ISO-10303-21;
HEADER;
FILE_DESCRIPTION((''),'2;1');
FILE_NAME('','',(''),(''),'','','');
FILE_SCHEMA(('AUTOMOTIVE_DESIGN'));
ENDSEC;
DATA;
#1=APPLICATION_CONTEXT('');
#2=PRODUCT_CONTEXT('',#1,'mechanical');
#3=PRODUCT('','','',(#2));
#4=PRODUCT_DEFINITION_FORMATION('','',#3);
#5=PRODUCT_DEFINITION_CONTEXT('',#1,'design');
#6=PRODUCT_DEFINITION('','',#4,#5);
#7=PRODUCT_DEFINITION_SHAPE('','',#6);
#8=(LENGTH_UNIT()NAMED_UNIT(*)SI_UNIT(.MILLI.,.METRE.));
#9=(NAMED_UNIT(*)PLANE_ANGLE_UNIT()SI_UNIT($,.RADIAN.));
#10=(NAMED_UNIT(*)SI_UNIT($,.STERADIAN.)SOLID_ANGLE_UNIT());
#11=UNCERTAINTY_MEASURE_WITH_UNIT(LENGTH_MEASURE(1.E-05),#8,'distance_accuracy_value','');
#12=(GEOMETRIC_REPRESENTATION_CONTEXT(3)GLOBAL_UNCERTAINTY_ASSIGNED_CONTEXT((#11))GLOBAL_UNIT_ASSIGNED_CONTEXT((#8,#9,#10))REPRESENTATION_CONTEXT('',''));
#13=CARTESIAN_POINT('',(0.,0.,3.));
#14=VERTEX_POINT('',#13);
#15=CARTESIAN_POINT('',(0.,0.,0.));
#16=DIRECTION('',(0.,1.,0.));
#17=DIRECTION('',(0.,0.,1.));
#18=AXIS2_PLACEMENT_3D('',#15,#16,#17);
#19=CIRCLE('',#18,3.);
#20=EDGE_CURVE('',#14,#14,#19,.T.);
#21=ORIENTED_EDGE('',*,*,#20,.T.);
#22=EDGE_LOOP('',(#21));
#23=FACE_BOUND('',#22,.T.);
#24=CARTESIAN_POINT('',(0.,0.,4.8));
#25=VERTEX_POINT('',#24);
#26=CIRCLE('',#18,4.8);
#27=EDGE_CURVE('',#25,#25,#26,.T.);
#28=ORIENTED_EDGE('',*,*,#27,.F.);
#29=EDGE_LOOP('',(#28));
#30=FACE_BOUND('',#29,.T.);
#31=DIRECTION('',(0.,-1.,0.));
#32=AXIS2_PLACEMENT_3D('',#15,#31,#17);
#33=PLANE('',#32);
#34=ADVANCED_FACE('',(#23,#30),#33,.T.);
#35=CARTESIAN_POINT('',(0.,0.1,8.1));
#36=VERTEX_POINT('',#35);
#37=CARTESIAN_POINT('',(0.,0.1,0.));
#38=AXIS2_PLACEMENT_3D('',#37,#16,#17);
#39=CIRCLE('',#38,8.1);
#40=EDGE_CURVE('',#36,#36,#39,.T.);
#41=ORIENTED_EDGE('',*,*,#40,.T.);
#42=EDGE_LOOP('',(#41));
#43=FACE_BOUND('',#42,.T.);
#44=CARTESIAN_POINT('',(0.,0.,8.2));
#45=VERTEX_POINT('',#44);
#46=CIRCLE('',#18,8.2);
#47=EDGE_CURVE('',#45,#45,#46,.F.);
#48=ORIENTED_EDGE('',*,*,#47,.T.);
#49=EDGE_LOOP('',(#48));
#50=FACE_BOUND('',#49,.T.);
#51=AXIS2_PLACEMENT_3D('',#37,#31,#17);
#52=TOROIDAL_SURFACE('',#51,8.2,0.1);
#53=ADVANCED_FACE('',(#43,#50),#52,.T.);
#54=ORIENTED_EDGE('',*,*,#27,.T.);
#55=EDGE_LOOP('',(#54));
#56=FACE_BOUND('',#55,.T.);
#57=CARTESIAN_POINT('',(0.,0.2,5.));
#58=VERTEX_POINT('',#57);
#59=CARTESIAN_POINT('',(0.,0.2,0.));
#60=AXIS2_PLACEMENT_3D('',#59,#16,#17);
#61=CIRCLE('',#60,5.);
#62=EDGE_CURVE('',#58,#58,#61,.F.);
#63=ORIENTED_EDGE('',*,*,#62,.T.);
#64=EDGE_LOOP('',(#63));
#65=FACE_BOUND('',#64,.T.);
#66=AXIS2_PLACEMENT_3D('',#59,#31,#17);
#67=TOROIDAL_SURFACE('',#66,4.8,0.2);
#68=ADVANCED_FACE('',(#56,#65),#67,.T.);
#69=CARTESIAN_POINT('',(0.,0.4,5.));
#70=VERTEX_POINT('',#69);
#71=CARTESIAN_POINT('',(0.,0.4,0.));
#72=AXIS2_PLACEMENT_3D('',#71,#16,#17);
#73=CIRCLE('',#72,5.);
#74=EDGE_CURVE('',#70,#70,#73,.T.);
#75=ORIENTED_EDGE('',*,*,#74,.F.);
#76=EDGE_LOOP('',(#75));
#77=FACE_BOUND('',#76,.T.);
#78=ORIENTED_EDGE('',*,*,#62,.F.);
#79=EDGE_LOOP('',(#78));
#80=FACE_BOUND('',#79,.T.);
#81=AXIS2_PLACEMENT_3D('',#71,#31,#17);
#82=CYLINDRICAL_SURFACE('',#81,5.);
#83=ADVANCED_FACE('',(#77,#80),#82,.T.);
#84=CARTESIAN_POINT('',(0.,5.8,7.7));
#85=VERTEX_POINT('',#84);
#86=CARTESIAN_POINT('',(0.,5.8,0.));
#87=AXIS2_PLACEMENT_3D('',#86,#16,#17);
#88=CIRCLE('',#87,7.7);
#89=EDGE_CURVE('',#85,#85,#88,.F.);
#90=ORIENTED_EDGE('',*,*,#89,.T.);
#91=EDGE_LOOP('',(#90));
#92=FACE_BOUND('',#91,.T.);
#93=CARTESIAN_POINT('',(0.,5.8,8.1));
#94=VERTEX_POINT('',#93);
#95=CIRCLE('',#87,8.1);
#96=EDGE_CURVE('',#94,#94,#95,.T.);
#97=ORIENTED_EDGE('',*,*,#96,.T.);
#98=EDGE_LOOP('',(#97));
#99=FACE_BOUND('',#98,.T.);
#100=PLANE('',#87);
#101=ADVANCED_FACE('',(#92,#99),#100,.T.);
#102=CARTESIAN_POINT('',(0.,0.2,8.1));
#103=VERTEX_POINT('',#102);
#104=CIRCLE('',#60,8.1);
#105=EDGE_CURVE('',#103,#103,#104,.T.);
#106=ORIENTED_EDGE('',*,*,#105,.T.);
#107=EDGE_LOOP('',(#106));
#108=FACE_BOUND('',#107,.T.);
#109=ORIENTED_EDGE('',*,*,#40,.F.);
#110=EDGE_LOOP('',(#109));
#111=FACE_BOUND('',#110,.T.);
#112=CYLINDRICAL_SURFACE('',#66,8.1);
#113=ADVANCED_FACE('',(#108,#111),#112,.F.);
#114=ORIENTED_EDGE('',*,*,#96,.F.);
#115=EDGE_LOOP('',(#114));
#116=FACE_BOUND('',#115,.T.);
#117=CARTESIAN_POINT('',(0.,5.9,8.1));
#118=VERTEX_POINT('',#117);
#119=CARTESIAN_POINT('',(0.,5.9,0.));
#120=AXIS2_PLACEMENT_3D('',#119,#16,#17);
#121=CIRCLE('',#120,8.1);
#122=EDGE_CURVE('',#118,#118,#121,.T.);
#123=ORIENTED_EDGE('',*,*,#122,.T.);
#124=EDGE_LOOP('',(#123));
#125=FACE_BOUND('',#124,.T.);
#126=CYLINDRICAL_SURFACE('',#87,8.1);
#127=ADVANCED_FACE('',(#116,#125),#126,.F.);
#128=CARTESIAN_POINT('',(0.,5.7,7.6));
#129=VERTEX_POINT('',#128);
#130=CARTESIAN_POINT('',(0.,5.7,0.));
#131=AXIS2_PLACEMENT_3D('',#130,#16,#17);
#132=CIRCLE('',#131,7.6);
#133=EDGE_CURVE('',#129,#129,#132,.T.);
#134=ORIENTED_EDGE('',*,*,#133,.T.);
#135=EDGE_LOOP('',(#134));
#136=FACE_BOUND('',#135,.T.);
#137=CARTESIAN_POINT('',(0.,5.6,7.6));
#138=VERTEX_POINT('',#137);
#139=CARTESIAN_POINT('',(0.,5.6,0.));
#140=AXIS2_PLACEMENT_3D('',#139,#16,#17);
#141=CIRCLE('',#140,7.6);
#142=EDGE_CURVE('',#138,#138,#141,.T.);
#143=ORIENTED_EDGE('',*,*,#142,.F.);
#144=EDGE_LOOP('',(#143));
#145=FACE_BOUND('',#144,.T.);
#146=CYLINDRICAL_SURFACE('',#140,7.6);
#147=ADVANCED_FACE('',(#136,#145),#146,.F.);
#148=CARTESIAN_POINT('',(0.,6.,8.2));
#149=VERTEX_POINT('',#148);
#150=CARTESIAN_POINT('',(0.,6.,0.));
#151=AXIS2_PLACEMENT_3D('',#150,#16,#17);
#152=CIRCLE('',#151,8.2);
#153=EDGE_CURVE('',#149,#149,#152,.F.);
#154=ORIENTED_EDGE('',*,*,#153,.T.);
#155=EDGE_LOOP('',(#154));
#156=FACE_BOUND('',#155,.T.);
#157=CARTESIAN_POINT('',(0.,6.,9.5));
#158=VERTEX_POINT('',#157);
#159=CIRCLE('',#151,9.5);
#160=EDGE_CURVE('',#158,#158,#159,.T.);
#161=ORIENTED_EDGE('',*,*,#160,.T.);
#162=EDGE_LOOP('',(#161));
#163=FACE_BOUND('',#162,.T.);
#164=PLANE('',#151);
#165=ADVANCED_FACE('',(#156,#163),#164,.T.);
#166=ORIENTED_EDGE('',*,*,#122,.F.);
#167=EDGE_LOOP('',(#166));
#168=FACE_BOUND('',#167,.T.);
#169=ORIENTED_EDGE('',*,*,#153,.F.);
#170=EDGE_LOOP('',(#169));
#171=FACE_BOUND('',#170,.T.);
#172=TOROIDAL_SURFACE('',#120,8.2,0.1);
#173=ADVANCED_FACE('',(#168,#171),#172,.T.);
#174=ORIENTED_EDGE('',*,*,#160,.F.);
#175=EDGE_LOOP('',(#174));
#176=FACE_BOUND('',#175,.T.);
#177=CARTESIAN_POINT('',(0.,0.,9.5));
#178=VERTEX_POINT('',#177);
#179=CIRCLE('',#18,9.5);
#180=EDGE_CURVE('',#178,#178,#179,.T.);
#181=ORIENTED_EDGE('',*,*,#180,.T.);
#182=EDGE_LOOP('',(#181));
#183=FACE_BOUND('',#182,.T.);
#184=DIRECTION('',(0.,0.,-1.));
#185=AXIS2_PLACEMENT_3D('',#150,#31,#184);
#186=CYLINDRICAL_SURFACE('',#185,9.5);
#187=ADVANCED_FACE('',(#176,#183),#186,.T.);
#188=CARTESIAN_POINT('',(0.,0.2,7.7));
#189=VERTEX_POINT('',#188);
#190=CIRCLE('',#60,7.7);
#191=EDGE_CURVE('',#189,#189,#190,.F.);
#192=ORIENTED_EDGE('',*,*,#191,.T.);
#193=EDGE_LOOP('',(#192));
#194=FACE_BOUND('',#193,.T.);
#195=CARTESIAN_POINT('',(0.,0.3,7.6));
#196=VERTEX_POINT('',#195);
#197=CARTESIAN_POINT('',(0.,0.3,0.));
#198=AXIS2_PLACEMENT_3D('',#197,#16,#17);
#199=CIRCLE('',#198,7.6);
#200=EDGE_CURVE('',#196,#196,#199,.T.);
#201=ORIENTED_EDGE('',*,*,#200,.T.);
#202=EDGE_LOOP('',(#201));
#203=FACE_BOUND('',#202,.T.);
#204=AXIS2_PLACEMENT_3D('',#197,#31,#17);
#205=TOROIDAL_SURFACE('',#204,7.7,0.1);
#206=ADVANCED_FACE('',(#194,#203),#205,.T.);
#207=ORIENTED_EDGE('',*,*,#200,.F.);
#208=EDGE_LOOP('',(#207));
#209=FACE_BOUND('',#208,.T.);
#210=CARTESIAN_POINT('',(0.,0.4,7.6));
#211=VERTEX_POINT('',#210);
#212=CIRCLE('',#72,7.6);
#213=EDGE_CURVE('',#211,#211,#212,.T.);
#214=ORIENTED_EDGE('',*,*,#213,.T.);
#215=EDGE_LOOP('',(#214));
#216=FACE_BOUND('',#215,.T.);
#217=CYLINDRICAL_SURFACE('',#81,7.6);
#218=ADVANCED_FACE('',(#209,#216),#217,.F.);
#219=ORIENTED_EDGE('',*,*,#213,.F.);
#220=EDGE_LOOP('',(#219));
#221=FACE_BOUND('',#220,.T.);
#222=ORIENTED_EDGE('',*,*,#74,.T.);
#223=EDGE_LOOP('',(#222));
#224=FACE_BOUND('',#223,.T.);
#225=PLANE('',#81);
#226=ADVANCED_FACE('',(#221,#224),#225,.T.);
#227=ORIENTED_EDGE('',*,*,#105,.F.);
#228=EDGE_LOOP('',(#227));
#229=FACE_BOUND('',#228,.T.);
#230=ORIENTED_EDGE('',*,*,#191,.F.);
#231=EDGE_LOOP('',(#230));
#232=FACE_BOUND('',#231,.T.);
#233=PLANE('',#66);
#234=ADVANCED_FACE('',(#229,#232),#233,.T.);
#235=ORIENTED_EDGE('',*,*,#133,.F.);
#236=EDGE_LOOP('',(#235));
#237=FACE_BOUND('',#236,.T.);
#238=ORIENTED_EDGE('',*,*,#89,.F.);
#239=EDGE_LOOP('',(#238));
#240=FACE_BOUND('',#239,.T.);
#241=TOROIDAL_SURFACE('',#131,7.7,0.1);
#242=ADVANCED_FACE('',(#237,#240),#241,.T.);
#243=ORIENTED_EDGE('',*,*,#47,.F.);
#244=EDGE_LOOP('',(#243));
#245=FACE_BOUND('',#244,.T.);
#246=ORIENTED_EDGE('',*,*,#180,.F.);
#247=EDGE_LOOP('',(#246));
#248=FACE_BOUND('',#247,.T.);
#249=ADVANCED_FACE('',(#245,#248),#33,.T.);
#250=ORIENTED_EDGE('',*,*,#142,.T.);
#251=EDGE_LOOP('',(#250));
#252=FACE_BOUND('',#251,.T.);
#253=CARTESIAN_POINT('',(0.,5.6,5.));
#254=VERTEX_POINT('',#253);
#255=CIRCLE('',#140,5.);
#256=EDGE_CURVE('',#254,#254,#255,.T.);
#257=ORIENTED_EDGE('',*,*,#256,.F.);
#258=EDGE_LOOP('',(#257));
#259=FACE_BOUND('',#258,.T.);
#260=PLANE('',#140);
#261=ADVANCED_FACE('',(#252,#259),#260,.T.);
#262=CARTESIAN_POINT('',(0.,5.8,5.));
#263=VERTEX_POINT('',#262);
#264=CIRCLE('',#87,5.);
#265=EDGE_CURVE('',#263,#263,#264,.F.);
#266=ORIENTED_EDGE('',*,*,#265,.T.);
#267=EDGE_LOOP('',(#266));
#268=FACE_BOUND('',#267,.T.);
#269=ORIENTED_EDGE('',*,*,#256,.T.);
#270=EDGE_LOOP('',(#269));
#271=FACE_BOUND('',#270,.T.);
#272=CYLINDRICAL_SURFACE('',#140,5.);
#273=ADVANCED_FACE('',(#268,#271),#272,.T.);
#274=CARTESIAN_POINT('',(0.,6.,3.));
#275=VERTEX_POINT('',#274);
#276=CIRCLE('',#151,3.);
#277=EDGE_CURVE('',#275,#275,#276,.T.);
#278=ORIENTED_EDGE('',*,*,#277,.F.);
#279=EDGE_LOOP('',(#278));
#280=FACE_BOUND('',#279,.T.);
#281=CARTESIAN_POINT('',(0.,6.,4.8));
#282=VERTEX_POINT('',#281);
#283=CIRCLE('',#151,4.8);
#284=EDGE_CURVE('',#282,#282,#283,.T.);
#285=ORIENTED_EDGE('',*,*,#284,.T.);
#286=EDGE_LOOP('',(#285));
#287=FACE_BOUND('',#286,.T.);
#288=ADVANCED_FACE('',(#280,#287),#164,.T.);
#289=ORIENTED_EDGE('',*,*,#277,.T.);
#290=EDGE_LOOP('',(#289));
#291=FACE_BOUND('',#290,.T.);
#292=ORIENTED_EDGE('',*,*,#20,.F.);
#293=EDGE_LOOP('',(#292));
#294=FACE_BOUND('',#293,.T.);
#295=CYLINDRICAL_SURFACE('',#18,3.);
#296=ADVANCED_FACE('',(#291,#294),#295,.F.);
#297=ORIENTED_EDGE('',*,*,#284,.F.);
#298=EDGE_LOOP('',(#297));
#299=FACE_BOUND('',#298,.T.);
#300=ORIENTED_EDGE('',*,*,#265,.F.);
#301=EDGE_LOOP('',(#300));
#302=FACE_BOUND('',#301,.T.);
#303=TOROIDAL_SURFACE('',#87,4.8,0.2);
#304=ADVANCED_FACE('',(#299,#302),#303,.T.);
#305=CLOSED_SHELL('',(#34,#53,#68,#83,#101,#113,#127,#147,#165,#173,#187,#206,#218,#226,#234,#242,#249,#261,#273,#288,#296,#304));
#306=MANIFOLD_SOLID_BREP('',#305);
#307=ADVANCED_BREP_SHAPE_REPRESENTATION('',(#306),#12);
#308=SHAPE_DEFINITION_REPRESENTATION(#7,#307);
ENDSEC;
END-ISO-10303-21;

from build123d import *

# Parameters (mm, degrees)
ESBO_O1_R                = 9.5
RESSALTO_EXTRUS_O1_DEPTH = 6
ESBO_O2_R                = 3
CORTE_EXTRUS_O1_DEPTH    = 6
ESBO_O3_R                = 8.1
ESBO_O3_R_2              = 7.6
CORTE_EXTRUS_O2_DEPTH    = 0.2
ESBO_O4_R                = 7.6
ESBO_O4_R_2              = 5
CORTE_EXTRUS_O3_DEPTH    = 0.4
FILETE1_R                = 0.2
FILETE2_R                = 0.1
ESBO_O5_W                = 19.615918828
ESBO_O5_H                = 3
CORTE_EXTRUS_O4_DEPTH    = 12


with BuildPart() as part:
    # Esboço1 → Ressalto-extrusão1 (new body)
    with BuildSketch(Plane(origin=(0, 0, 0), x_dir=(1, 0, 0), z_dir=(0, 1, 0))):
        with Locations(Location((0, 0, 0), (0, 0, 270))):
            Circle(ESBO_O1_R)
    extrude(amount=RESSALTO_EXTRUS_O1_DEPTH)

    # Esboço2 → Corte-extrusão1 (cut)
    with BuildSketch(Plane(origin=(0, 6, 0), x_dir=(1, 0, 0), z_dir=(0, 1, 0))):
        with Locations(Location((0, 0, 0), (0, 0, 270))):
            Circle(ESBO_O2_R)
    extrude(amount=-CORTE_EXTRUS_O1_DEPTH, mode=Mode.SUBTRACT)

    # Esboço3 → Corte-extrusão2 (cut)
    with BuildSketch(Plane(origin=(0, 6, 0), x_dir=(1, 0, 0), z_dir=(0, 1, 0))):
        with Locations(Location((0, 0, 0), (0, 0, 270))):
            Circle(ESBO_O3_R)
        with Locations(Location((0, 0, 0), (0, 0, 270))):
            Circle(ESBO_O3_R_2, mode=Mode.SUBTRACT)
    extrude(amount=-CORTE_EXTRUS_O2_DEPTH, mode=Mode.SUBTRACT)

    # Esboço4 → Corte-extrusão3 (cut)
    with BuildSketch(Plane(origin=(0, 6, 0), x_dir=(1, 0, 0), z_dir=(0, 1, 0))):
        with Locations(Location((0, 0, 0), (0, 0, 270))):
            Circle(ESBO_O4_R)
        with Locations(Location((0, 0, 0), (0, 0, 270))):
            Circle(ESBO_O4_R_2, mode=Mode.SUBTRACT)
    extrude(amount=-CORTE_EXTRUS_O3_DEPTH, mode=Mode.SUBTRACT)

    # Filete1
    filete1_edges = [part.edges().sort_by_distance(p)[0] for p in [
        (0, 6, -5),
    ]]
    fillet(filete1_edges, radius=FILETE1_R)

    # Filete2
    filete2_edges = [part.edges().sort_by_distance(p)[0] for p in [
        (0, 6, -8.1),
        (0, 5.8, -7.6),
    ]]
    fillet(filete2_edges, radius=FILETE2_R)

    # Esboço5 → Corte-extrusão4 (cut, symmetric)
    with BuildSketch(Plane.XY):
        with Locations((0.307959414, 1.5)):
            Rectangle(ESBO_O5_W, ESBO_O5_H)
    extrude(amount=CORTE_EXTRUS_O4_DEPTH, both=True, mode=Mode.SUBTRACT)

    # Espelhar7: part across plane


with BuildPart() as part_1:
    add(part.part)
    add(part.part.mirror(Plane.ZX.offset(3)))


solid = part_1.part
